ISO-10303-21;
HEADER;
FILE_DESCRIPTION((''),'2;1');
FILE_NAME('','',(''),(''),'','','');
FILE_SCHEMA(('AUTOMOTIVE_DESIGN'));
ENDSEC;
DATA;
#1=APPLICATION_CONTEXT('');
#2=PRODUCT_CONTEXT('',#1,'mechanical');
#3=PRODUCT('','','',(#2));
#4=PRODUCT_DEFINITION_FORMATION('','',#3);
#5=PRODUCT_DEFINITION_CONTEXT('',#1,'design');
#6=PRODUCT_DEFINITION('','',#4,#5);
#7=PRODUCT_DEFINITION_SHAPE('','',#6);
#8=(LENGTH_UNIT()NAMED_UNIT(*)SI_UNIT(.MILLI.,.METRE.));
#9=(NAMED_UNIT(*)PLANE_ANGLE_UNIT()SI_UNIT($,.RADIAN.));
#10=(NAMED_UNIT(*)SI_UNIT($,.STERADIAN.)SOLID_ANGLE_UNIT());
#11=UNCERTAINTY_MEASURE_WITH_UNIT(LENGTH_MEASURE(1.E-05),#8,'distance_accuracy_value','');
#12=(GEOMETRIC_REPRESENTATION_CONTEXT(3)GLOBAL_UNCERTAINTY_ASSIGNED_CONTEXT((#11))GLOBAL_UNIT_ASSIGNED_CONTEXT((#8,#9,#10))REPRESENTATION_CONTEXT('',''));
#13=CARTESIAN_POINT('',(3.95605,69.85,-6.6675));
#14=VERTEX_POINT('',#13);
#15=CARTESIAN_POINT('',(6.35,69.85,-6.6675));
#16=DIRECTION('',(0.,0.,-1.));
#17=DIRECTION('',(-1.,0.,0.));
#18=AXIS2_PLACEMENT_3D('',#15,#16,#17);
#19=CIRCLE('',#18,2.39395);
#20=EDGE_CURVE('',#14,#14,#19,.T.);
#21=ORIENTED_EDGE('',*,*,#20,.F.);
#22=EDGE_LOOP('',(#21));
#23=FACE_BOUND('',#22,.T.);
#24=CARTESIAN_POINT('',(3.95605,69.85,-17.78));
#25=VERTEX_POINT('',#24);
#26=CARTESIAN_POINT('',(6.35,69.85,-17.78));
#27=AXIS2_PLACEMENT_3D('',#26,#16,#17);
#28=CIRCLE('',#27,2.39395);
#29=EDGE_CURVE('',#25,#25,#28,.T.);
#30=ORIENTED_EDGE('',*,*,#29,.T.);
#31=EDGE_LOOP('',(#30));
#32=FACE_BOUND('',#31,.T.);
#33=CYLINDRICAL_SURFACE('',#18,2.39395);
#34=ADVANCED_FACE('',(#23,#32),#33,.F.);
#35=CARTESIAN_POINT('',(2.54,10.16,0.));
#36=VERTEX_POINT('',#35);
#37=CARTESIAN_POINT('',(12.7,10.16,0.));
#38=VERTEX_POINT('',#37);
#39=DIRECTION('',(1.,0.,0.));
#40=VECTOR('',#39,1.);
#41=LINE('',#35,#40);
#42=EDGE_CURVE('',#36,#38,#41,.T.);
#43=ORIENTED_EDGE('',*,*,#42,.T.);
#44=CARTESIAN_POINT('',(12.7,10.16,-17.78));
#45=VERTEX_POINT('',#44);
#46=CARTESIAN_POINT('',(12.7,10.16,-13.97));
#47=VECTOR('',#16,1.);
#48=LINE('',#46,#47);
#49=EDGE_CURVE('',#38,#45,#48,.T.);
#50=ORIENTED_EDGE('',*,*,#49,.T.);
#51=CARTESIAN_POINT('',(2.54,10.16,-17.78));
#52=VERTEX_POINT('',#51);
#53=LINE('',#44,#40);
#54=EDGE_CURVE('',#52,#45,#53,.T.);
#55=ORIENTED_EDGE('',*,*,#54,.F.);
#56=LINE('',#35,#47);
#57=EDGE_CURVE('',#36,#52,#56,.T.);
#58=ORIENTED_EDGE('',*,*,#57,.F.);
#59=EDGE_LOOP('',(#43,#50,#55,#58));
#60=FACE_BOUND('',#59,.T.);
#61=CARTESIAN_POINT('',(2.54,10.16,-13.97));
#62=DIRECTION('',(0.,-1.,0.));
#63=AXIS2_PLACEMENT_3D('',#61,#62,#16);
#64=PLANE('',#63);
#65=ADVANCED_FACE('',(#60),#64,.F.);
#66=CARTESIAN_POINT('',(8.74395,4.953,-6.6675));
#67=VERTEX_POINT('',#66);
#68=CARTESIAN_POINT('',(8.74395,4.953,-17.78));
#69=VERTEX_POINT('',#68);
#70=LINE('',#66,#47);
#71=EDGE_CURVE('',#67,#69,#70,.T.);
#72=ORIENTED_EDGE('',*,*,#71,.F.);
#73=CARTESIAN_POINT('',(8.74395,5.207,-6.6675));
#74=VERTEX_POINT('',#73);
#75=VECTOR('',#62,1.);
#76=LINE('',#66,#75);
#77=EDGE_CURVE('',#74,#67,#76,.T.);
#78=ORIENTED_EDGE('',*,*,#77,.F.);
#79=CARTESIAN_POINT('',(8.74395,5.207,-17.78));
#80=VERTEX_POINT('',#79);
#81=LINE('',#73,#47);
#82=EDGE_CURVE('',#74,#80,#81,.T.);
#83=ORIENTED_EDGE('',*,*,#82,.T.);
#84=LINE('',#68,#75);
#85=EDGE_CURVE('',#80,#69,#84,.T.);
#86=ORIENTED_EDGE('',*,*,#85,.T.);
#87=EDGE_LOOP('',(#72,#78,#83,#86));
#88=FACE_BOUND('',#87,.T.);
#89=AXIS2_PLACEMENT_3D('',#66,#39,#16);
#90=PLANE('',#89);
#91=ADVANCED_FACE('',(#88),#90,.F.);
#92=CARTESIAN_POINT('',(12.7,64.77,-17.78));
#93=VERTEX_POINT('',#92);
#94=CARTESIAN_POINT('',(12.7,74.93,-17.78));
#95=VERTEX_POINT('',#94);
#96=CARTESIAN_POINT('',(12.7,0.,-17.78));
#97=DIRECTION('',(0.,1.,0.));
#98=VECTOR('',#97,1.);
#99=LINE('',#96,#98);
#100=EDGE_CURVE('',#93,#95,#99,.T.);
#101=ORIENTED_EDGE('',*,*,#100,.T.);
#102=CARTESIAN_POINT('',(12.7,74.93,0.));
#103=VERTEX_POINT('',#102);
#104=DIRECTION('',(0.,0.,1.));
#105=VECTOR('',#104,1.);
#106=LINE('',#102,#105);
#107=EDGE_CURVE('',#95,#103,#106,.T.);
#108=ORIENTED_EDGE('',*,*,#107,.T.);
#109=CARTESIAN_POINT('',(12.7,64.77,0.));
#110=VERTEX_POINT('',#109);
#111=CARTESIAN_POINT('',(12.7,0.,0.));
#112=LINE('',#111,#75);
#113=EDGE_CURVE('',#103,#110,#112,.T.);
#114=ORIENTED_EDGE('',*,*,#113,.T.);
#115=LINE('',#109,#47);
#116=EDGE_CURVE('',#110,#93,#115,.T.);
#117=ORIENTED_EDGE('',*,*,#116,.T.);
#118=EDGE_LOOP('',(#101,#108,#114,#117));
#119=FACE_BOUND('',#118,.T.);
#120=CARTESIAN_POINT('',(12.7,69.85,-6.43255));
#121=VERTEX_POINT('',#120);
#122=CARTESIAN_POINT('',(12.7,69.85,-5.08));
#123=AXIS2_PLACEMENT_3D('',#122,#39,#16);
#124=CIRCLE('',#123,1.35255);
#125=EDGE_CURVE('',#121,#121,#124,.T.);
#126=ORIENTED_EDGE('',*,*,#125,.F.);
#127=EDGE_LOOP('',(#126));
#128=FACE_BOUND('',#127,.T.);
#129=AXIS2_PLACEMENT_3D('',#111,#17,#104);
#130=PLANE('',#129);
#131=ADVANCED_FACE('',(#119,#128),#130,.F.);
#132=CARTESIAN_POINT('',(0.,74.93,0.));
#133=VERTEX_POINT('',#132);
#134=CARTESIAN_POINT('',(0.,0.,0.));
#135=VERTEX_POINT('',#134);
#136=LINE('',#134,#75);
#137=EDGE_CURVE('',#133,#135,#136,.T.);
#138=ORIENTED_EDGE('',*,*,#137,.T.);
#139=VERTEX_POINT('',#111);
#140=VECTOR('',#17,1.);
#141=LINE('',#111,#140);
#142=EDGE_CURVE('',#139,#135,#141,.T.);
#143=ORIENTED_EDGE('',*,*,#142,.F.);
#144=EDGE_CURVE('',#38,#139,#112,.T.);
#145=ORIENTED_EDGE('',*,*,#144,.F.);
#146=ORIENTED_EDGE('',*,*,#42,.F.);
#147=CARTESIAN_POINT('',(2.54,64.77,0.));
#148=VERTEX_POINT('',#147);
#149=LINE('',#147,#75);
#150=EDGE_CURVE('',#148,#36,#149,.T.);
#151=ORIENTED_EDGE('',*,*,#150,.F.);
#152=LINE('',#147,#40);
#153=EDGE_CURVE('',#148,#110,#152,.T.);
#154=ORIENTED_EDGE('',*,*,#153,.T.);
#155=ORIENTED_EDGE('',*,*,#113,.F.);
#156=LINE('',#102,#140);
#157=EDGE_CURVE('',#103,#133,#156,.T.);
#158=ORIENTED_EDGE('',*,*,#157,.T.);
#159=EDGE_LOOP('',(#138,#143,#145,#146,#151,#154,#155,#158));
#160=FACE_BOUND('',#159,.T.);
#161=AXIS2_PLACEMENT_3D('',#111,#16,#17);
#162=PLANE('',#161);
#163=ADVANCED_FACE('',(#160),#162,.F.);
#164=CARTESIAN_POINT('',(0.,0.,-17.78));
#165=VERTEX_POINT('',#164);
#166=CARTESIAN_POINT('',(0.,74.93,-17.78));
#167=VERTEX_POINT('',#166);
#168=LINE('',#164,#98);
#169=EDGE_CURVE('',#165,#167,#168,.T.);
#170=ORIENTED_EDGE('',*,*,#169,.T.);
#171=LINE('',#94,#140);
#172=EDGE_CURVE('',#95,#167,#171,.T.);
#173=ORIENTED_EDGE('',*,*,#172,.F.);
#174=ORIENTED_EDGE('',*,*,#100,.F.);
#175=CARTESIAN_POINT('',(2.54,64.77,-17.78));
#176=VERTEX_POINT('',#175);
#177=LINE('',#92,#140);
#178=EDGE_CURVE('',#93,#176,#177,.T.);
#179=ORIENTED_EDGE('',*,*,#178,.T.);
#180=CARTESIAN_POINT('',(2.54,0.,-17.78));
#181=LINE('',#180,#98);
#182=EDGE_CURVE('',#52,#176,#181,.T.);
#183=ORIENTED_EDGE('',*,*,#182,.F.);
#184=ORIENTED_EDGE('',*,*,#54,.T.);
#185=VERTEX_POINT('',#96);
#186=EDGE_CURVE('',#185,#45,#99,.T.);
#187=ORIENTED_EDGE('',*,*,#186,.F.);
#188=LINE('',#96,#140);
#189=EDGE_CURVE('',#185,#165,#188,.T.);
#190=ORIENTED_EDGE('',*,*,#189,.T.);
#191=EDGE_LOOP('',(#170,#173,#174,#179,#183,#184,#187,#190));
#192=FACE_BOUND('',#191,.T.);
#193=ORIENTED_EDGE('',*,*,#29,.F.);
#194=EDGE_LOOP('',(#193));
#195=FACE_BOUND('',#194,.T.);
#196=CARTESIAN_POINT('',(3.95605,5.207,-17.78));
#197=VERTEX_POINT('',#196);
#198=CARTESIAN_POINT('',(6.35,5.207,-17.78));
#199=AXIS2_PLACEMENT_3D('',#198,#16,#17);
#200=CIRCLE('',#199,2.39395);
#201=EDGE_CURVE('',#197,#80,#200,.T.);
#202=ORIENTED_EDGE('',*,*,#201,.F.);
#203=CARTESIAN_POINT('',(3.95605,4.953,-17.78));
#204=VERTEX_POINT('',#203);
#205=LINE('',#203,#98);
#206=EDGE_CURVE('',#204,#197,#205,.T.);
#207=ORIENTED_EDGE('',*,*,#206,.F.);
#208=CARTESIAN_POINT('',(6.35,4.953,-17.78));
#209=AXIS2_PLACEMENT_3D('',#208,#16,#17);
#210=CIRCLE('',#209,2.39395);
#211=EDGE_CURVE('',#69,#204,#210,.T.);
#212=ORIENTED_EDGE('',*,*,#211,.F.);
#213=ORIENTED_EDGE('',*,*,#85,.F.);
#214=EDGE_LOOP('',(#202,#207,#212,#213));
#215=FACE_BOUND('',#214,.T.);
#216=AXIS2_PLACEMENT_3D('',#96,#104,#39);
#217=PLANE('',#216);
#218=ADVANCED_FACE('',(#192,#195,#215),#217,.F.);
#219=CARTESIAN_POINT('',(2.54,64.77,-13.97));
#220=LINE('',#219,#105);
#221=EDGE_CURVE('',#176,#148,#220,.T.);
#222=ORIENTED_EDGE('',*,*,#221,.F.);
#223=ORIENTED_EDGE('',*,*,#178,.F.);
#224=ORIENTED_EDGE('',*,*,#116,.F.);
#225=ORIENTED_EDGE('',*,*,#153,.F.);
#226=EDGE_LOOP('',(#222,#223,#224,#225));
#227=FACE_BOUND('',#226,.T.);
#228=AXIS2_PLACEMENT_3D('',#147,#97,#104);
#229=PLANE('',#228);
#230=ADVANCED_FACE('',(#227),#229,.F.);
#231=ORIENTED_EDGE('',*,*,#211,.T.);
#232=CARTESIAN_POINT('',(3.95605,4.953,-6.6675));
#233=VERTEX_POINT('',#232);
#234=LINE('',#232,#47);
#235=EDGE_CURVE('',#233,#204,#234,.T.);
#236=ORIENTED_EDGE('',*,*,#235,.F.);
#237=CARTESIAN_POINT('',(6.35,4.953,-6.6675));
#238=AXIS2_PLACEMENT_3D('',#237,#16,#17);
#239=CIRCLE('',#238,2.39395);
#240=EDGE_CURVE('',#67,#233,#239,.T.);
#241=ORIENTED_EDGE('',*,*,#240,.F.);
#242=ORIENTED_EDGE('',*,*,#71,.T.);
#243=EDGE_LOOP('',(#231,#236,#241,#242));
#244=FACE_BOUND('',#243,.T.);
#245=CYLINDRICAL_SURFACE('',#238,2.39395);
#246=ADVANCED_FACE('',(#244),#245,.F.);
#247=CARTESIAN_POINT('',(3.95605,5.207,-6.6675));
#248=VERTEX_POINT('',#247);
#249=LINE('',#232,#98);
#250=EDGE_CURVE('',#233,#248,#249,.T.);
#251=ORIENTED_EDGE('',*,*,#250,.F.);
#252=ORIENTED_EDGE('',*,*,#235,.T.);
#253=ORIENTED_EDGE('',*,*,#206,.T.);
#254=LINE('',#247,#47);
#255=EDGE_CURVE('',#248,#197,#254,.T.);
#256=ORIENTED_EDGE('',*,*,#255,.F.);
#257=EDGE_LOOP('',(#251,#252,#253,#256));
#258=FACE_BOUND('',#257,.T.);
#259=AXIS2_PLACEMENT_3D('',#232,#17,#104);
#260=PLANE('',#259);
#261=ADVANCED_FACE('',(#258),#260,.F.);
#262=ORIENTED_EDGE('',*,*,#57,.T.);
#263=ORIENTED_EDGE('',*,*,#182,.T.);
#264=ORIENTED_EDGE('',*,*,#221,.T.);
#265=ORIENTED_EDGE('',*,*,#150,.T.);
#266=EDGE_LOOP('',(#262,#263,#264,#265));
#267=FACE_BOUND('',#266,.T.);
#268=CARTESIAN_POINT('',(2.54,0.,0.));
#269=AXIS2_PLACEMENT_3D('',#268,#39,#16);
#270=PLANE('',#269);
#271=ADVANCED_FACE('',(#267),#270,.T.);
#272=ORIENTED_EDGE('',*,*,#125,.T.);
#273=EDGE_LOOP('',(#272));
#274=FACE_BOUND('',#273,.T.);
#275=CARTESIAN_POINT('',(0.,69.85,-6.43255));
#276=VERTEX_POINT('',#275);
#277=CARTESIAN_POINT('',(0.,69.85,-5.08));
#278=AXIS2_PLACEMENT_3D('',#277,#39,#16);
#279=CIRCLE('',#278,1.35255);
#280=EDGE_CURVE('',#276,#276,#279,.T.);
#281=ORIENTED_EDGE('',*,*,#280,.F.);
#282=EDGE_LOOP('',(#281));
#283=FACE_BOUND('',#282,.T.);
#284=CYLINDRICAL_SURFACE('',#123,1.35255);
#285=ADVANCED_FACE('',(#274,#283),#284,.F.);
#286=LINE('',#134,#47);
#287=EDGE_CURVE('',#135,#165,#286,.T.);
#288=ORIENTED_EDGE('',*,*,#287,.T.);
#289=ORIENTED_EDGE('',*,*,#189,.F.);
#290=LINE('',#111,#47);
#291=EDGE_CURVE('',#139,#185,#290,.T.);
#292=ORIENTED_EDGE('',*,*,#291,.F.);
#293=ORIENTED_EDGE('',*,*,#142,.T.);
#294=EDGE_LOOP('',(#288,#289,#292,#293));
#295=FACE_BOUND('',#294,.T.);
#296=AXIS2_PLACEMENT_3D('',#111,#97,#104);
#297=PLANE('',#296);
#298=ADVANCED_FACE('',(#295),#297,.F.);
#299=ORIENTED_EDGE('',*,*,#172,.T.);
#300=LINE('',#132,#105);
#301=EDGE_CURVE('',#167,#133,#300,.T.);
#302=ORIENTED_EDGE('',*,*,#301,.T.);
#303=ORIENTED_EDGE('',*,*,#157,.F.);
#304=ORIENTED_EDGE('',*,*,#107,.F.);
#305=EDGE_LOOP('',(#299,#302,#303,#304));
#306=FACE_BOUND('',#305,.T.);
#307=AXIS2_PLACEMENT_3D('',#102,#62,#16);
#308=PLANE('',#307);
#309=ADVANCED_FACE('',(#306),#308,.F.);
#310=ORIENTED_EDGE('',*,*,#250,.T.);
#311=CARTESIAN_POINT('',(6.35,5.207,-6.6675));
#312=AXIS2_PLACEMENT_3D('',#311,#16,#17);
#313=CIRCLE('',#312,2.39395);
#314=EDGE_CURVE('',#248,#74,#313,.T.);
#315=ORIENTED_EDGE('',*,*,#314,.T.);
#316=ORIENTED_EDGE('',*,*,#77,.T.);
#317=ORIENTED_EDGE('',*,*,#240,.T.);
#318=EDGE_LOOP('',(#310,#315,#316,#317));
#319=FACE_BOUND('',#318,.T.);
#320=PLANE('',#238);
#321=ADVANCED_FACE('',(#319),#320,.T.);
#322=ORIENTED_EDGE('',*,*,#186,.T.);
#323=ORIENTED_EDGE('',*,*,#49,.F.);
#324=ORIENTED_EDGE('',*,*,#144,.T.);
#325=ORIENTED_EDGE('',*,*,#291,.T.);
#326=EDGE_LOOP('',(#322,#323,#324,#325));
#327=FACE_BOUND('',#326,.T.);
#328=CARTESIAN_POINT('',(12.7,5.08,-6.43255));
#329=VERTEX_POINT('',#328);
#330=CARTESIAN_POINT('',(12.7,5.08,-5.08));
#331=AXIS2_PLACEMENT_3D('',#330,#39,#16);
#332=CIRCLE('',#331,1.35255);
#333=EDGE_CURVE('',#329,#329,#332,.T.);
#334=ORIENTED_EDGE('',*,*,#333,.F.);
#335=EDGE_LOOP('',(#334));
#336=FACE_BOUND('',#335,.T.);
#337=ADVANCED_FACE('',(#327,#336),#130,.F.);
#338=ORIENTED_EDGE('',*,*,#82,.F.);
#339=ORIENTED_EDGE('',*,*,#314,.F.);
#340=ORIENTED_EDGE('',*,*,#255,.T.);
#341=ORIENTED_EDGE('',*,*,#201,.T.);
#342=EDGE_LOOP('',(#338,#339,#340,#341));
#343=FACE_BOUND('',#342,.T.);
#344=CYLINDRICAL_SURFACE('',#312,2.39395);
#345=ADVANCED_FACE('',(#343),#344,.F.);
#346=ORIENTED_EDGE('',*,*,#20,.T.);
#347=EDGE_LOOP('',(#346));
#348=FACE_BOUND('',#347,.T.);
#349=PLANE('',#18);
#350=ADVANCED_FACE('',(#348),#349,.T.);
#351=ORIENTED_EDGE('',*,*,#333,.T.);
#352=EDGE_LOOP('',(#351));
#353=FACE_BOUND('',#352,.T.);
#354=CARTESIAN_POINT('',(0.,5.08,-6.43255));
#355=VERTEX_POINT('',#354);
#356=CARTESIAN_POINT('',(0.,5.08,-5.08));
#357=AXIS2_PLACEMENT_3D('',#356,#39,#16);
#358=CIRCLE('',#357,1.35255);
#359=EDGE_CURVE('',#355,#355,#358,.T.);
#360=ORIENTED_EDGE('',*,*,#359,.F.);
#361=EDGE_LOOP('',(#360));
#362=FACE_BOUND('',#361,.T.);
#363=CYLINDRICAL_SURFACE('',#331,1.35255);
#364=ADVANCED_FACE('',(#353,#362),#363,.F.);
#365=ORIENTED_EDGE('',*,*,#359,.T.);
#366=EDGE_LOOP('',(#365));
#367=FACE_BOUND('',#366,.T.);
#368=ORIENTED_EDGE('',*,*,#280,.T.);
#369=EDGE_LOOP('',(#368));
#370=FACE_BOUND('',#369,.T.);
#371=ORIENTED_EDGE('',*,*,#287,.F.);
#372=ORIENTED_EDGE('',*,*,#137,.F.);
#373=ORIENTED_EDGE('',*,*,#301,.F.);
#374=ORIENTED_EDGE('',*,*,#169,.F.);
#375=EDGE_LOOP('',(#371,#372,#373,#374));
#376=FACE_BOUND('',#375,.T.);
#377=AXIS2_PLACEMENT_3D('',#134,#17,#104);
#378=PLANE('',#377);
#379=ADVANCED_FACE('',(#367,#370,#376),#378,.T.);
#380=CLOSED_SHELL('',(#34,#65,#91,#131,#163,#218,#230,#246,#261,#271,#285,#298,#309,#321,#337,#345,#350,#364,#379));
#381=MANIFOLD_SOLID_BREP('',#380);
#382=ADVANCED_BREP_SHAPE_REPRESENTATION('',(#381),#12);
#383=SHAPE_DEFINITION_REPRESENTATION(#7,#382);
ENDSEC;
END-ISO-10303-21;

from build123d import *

# Parameters (mm, degrees)
SKETCH1_W                 = 17.78
SKETCH1_H                 = 74.93
BOSS_EXTRUDE1_DEPTH       = 12.7
CUT_EXTRUDE1_DEPTH        = 10.16
TAP_DRILL_FOR_6_32_TAP1_D = 2.7051
SKETCH5_R                 = 2.39395
CUT_EXTRUDE2_DEPTH        = 11.1125


with BuildPart() as part:
    # Sketch1 → Boss-Extrude1 (new body)
    with BuildSketch(Plane(origin=(0, 0, 0), x_dir=(0, 0, -1), z_dir=(1, 0, 0))):
        with Locations((8.89, 37.465)):
            Rectangle(SKETCH1_W, SKETCH1_H)
    extrude(amount=BOSS_EXTRUDE1_DEPTH)

    # Sketch2 → Cut-Extrude1 (cut)
    with BuildSketch(Plane(origin=(12.7, 0, 0), x_dir=(0, 0, -1), z_dir=(1, 0, 0))):
        Polygon((0, 64.77), (10.16, 64.77), (13.97, 64.77), (24.13, 64.77), (24.13, 10.16), (13.97, 10.16), (10.16, 10.16), (0, 10.16), align=None)
    extrude(amount=-CUT_EXTRUDE1_DEPTH, mode=Mode.SUBTRACT)

    # Tap Drill for #6-32 Tap1 (through all)
    with Locations(Plane(origin=(12.7, 0, 0), x_dir=(0, 0, -1), z_dir=(1, 0, 0))):
        with Locations((5.08, 69.85), (5.08, 5.08)):
            Hole(TAP_DRILL_FOR_6_32_TAP1_D / 2)

    # Sketch5 → Cut-Extrude2 (cut)
    with BuildSketch(Plane(origin=(0, 0, -17.78), x_dir=(-1, 0, 0), z_dir=(0, 0, -1))):
        with Locations((-6.35, 69.85)):
            Circle(SKETCH5_R)
        with BuildLine():
            Line((-8.74395, 4.953), (-8.74395, 5.207))
            ThreePointArc((-8.74395, 5.207), (-6.35, 7.60095), (-3.95605, 5.207))
            Line((-3.95605, 5.207), (-3.95605, 4.953))
            ThreePointArc((-3.95605, 4.953), (-6.35, 2.55905), (-8.74395, 4.953))
        make_face()
    extrude(amount=-CUT_EXTRUDE2_DEPTH, mode=Mode.SUBTRACT)


solid = part.part
